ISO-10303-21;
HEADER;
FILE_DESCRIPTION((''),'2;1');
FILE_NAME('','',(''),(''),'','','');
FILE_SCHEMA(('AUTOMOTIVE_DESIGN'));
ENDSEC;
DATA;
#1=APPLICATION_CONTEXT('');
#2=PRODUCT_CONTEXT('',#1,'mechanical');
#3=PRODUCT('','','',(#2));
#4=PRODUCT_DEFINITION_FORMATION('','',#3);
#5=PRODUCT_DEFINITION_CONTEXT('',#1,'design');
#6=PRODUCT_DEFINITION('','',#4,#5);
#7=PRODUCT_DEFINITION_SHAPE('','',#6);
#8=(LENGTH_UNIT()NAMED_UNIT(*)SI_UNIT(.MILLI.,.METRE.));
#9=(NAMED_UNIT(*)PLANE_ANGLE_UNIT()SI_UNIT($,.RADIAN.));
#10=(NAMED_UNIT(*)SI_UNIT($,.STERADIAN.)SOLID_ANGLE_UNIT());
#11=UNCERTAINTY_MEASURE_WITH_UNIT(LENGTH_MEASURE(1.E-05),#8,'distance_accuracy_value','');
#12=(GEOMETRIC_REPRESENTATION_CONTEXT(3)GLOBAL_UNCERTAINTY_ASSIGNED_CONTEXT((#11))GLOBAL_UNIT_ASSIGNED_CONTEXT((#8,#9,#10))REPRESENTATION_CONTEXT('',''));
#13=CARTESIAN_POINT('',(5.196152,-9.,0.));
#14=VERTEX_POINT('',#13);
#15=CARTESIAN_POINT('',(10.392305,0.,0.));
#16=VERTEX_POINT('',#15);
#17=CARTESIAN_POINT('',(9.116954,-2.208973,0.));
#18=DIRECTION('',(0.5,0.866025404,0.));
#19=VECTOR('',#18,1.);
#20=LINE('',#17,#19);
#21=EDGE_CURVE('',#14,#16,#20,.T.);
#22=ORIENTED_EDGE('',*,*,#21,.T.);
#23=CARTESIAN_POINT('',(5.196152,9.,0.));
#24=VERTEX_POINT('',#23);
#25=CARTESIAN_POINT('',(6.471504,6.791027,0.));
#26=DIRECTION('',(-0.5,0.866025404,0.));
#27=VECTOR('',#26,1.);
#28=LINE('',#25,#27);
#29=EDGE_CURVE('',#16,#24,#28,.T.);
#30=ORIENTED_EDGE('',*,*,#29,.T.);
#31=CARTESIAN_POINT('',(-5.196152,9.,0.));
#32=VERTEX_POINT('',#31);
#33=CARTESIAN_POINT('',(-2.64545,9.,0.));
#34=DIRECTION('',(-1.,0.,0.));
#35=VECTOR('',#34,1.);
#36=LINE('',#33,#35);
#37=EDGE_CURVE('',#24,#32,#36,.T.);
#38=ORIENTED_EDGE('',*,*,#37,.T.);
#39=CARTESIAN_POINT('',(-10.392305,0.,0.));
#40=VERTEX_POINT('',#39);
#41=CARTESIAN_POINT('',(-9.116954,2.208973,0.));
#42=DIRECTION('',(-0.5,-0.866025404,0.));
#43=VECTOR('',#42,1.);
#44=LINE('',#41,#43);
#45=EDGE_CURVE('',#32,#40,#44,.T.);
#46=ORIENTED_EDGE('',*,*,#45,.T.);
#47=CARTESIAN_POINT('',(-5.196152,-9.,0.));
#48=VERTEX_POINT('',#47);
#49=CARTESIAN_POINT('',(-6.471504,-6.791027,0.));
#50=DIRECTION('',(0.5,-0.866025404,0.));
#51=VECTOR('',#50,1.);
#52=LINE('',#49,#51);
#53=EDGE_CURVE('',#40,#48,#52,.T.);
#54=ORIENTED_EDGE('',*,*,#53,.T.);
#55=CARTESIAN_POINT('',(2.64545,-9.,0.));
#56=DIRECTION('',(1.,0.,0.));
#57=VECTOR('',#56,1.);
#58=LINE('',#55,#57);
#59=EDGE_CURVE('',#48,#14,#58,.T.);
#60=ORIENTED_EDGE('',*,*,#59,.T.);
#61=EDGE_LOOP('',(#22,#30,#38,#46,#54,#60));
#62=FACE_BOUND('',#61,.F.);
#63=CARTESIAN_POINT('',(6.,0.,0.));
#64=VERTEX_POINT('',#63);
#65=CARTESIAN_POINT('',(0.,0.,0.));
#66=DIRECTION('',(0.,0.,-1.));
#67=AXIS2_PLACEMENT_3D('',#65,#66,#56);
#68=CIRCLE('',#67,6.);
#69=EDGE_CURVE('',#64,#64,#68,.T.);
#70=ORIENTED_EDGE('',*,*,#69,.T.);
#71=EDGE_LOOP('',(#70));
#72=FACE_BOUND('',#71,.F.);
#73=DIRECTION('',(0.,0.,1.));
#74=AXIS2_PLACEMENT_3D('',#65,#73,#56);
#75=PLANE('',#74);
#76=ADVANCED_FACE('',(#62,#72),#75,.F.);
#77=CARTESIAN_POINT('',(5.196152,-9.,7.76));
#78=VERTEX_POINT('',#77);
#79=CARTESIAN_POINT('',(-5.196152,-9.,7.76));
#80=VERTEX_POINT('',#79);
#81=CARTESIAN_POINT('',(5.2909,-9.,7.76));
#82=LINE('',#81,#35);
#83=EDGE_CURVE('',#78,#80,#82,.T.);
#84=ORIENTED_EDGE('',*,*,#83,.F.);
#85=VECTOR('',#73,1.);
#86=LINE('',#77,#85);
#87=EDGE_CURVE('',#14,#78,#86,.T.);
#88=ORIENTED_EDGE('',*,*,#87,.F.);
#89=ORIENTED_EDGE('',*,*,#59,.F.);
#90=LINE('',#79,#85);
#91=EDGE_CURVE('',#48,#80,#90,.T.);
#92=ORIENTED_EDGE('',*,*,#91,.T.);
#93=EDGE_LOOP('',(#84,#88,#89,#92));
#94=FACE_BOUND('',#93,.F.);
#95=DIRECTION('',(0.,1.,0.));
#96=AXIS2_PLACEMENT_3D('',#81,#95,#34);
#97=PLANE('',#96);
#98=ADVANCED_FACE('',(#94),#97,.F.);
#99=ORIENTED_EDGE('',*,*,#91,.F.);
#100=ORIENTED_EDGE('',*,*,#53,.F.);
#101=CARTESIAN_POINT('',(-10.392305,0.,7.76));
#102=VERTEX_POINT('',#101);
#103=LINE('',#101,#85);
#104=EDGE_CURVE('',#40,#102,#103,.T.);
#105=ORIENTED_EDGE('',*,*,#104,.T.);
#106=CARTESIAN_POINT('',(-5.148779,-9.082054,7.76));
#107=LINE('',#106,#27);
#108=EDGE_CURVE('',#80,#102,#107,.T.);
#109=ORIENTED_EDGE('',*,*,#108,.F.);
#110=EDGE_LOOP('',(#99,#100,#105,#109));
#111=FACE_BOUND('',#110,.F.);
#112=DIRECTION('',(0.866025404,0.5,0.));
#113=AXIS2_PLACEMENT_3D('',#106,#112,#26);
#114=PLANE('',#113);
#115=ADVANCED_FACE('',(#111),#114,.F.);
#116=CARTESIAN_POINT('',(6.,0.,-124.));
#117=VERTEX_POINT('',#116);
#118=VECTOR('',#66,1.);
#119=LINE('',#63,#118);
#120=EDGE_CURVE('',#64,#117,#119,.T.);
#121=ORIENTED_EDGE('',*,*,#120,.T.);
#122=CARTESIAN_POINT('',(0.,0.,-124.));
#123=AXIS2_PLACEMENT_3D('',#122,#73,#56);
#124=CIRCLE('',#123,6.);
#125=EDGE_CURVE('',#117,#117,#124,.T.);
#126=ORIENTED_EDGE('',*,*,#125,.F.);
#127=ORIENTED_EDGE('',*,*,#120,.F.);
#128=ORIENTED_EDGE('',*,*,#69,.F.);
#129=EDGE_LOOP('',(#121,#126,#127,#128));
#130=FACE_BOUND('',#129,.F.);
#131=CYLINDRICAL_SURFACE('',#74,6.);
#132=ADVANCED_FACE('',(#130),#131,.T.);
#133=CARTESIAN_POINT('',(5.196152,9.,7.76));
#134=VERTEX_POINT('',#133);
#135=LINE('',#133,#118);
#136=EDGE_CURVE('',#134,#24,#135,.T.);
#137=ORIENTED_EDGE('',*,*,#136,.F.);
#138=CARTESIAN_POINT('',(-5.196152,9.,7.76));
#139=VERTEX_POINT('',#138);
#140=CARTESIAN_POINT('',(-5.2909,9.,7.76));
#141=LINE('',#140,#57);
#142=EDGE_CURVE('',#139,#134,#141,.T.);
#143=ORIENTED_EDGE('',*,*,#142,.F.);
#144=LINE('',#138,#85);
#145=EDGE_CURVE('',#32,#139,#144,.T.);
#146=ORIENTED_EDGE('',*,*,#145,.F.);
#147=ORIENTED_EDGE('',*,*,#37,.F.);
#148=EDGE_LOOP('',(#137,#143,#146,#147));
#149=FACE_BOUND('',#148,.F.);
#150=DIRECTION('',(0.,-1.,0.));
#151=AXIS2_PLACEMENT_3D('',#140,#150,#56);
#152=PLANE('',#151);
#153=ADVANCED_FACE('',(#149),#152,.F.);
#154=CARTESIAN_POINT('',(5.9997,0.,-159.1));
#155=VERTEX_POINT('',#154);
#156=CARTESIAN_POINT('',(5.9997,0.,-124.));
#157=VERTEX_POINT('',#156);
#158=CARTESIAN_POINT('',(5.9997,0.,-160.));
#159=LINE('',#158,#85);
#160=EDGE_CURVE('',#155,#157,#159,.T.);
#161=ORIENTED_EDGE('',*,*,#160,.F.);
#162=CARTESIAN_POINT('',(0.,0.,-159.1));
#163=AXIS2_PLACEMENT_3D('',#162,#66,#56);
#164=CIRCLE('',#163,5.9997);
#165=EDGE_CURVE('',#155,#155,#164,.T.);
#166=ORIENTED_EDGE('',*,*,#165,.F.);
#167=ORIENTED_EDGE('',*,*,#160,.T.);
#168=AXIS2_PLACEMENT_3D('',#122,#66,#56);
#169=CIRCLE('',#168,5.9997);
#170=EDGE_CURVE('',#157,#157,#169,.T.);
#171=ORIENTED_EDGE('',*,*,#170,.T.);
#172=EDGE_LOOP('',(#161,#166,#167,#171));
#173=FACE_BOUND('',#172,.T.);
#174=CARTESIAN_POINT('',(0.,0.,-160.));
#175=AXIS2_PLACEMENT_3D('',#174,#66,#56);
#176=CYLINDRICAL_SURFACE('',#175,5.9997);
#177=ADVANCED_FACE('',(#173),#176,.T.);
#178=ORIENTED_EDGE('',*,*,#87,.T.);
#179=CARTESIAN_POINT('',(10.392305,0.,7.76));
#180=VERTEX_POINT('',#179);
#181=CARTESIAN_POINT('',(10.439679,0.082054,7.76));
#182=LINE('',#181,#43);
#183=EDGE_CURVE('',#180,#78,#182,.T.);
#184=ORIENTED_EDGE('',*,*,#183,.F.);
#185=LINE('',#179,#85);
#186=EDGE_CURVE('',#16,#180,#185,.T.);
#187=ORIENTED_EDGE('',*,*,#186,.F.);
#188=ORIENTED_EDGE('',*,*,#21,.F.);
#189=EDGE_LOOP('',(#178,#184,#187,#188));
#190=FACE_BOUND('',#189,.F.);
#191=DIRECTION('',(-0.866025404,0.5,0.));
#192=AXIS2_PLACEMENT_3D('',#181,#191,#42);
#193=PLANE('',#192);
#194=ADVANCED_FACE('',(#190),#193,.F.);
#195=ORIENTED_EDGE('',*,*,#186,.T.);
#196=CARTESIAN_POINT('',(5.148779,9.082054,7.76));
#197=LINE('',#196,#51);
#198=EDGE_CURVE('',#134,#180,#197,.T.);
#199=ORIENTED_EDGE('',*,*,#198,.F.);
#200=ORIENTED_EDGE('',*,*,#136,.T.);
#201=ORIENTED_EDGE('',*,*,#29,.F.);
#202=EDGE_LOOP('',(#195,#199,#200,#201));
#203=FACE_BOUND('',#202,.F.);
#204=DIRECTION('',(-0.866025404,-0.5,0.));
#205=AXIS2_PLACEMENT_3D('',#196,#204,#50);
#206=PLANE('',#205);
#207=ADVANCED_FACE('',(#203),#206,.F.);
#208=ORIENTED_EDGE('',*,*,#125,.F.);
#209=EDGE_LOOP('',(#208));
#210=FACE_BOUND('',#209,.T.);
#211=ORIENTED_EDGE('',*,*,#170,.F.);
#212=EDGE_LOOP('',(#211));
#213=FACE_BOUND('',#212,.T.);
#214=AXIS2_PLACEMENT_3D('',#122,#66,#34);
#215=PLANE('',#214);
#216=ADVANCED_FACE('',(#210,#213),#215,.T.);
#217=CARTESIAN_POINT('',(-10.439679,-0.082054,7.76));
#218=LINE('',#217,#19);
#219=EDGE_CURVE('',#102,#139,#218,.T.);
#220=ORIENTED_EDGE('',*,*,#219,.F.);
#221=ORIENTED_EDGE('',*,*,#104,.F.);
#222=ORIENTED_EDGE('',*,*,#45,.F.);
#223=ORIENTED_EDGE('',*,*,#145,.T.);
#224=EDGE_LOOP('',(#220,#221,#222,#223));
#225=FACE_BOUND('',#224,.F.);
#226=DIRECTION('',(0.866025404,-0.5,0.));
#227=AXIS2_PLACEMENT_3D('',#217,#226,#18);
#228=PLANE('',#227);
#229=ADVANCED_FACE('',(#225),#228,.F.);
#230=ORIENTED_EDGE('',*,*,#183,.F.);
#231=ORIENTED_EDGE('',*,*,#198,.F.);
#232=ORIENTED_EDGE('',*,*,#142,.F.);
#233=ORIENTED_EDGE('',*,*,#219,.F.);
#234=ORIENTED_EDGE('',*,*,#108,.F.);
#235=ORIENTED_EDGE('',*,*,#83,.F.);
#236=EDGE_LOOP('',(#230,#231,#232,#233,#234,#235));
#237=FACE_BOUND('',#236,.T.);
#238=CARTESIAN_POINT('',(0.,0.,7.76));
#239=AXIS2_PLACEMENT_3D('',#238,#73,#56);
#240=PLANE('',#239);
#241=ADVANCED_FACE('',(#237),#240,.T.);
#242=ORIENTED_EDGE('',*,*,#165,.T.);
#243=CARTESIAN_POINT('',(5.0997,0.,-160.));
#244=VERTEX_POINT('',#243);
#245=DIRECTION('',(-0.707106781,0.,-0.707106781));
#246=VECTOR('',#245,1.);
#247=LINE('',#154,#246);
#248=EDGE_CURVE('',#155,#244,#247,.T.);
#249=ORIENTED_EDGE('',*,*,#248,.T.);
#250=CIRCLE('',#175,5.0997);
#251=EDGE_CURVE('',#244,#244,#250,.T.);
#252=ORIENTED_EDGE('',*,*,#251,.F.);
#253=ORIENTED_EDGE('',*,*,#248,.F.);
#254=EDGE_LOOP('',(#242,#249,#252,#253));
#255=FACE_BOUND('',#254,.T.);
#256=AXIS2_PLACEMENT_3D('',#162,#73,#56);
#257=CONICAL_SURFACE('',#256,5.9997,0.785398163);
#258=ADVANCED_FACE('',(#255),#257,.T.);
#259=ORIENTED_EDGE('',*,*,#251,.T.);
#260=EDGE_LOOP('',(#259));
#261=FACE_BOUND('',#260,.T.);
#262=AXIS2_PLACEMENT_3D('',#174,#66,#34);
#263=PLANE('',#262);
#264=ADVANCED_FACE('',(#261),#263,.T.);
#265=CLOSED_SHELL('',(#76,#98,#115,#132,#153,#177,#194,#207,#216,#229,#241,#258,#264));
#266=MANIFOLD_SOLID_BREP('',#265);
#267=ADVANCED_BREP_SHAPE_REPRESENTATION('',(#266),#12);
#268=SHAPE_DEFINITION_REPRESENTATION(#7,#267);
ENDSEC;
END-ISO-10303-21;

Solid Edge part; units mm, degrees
sketch "Sketch1" plane through (0, 0, 0) normal (0, 0, 1) x (1, 0, 0)
  circle A0 centre (0, 0) radius 10.44
  dimension "D1" = 20.88
extrude "Protrusion1" add sketch "Sketch1" along normal blind 7.76
sketch "Sketch2" plane through (0, 0, 0) normal (0, 0, -1) x (1, 0, 0)
  circle A0 centre (0, 0) radius 6
extrude "Protrusion2" add sketch "Sketch2" along normal blind 160
sketch "Sketch3" plane through (0, 0, -160) normal (0, 0, -1) x (1, 0, 0)
  circle A0 centre (0, 0) radius 5.9997
extrude "Cutout1" cut sketch "Sketch3" against normal blind 36 flip side to cut
chamfer "Chamfer_1" distance 0.9 angle 45 1 edges at (-5.9997, 0, -160)
sketch "Sketch4" plane through (0, 0, 7.76) normal (0, 0, 1) x (1, 0, 0)
  line L0 (-5.2909, 9) -> (5.2909, 9)
  dimension "D1" = 18
extrude "Cutout2" cut sketch "Sketch4" against normal up to next material side at (0, 9.05, 7.76)
pattern_circular "Pattern1" count 6 over 360 about axis through (0, 0, 7.76) along (0, 0, 1) of "Cutout2"
properties part number "118314"
